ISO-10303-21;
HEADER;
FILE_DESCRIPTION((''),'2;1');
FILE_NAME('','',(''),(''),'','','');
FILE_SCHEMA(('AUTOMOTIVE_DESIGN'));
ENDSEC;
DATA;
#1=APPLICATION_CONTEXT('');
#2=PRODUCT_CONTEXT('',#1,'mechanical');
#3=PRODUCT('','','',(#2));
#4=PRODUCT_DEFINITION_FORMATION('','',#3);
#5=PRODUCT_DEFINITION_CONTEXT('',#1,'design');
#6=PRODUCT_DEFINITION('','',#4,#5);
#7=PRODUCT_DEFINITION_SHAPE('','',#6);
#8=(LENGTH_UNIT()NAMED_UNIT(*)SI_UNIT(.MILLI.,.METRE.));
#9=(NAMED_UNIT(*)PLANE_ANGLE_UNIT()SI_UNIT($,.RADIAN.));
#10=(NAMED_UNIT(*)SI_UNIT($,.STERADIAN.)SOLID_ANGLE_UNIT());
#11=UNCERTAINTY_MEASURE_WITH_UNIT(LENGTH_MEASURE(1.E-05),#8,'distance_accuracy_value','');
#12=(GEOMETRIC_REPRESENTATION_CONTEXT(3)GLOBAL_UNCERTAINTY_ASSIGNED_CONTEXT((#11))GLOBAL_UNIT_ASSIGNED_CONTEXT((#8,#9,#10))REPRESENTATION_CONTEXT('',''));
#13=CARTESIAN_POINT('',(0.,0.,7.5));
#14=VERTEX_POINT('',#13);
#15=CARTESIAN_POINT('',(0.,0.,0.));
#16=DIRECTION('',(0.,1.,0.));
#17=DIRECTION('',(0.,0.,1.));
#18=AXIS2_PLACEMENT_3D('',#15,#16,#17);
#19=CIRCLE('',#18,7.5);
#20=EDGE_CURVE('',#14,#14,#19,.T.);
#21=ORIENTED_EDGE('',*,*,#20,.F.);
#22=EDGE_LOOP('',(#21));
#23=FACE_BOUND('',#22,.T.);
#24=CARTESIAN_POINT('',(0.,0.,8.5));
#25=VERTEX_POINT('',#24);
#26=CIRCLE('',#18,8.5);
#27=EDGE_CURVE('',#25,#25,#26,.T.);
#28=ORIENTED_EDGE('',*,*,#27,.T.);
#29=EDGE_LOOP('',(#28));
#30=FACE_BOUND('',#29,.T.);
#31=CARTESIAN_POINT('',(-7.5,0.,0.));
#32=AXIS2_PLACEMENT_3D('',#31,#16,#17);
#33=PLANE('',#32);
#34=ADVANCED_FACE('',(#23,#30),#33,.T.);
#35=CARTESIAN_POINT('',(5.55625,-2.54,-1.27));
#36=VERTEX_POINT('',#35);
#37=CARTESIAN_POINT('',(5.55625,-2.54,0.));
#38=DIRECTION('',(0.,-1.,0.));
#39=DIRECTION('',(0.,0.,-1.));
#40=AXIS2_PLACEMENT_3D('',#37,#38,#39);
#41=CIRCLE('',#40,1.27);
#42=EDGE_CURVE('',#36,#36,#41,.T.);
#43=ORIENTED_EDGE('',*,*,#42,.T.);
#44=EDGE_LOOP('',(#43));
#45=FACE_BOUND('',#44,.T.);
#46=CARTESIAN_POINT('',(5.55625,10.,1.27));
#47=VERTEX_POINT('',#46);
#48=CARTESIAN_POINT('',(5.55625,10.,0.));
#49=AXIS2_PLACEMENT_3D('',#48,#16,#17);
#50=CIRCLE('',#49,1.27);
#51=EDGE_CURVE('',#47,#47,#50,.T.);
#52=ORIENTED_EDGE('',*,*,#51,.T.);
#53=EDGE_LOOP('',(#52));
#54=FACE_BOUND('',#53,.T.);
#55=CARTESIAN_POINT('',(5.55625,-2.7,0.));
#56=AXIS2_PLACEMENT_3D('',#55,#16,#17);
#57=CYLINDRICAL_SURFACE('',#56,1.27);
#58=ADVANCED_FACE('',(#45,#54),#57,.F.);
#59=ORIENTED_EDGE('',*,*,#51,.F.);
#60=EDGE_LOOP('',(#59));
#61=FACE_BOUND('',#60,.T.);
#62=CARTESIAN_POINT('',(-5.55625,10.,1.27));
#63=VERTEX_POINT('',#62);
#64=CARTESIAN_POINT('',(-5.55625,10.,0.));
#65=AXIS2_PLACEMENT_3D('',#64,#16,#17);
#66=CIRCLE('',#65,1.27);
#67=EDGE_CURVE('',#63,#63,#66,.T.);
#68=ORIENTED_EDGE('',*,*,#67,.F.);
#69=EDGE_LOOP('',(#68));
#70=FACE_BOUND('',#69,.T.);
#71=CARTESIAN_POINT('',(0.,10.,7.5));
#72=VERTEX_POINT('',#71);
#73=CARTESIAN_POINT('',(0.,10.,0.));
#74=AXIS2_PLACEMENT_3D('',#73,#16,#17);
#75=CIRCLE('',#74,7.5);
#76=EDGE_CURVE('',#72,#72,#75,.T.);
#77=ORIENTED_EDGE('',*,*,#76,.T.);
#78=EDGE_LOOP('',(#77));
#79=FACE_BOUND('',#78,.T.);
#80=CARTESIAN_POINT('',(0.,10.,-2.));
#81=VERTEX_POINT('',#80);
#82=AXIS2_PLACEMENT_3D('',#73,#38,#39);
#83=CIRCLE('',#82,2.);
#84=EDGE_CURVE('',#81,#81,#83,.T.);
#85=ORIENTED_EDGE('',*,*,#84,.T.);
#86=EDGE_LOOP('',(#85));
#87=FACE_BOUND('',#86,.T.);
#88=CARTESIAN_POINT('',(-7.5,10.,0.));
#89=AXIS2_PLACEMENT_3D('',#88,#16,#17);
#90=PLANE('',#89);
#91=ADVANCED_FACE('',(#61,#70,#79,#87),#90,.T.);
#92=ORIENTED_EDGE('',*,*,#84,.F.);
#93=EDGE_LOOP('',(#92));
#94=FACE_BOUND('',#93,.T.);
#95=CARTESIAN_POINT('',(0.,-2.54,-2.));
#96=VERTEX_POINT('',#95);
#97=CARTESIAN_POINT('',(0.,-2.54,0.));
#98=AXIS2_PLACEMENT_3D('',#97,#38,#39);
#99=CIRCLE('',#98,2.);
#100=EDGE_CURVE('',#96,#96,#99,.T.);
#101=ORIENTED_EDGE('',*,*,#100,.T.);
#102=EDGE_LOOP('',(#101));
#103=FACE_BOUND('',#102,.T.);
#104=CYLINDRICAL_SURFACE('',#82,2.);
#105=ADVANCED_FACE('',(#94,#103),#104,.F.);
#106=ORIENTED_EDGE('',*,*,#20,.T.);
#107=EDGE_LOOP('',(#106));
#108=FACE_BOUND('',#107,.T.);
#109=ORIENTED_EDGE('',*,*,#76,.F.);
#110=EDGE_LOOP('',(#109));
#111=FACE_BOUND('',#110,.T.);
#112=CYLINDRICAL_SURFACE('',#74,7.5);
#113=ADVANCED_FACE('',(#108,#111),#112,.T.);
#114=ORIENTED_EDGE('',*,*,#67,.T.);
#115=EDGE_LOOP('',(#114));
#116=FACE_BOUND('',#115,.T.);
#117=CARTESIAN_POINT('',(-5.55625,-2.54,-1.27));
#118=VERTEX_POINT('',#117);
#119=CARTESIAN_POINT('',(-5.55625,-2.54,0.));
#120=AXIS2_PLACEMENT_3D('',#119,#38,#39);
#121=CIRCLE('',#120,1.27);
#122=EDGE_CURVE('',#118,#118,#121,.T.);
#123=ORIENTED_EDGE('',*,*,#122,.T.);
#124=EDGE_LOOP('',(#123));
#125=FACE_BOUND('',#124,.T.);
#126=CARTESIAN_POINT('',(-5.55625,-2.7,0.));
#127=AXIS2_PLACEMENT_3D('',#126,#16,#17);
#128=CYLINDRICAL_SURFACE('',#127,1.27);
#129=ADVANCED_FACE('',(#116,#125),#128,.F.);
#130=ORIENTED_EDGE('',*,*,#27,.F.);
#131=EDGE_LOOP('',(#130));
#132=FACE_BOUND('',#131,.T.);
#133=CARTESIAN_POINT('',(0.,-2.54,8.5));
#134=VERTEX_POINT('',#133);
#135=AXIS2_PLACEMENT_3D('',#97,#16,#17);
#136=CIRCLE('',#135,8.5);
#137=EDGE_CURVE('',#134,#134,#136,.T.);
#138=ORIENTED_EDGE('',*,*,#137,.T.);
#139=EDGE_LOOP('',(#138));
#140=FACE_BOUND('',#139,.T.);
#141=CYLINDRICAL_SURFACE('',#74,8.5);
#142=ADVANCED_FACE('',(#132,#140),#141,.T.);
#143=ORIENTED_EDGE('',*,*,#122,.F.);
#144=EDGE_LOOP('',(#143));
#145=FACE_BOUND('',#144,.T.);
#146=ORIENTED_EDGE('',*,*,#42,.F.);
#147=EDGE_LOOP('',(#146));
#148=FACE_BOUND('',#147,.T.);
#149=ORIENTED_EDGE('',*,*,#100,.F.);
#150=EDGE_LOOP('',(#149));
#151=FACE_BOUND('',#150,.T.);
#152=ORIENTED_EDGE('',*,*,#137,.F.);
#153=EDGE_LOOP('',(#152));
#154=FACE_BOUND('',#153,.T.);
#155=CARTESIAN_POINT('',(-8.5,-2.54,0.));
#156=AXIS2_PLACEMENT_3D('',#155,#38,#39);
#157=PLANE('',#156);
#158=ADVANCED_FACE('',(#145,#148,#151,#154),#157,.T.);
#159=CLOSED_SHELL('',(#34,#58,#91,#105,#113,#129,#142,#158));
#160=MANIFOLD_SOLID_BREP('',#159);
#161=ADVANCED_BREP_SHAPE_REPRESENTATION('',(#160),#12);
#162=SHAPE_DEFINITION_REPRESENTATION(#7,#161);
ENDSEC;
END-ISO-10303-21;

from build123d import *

# Parameters (mm, degrees)
SKETCH2_R          = 1.27
CUT_EXTRUDE1_DEPTH = 12.7
SKETCH3_R          = 2
CUT_EXTRUDE2_DEPTH = 18.37099882


with BuildPart() as part:
    # Sketch1 → Revolve1 (revolve)
    with BuildSketch(Plane.XY, mode=Mode.PRIVATE) as revolve1_sk:
        Polygon((-7.5, 0), (-8.5, 0), (-8.5, -2.54), (0, -2.54), (0, 10), (-7.5, 10), align=None)
    revolve(revolve1_sk.sketch.rotate(Axis((0, 10, 0), (0, -1, 0)), 270), axis=Axis((0, 10, 0), (0, -1, 0)))

    # Sketch2 → Cut-Extrude1 (cut)
    with BuildSketch(Plane(origin=(0, 10, 0), x_dir=(1, 0, 0), z_dir=(0, 1, 0))):
        with Locations(Location((-5.55625, 0, 0), (0, 0, 270))):
            Circle(SKETCH2_R)
        with Locations(Location((5.55625, 0, 0), (0, 0, 270))):
            Circle(SKETCH2_R)
    extrude(amount=-CUT_EXTRUDE1_DEPTH, mode=Mode.SUBTRACT)

    # Sketch3 → Cut-Extrude2 (cut, through all)
    with BuildSketch(Plane.XZ.offset(2.54)):
        with Locations(Location((0, 0, 0), (0, 0, 270))):
            Circle(SKETCH3_R)
    extrude(amount=-CUT_EXTRUDE2_DEPTH, mode=Mode.SUBTRACT)


solid = part.part
